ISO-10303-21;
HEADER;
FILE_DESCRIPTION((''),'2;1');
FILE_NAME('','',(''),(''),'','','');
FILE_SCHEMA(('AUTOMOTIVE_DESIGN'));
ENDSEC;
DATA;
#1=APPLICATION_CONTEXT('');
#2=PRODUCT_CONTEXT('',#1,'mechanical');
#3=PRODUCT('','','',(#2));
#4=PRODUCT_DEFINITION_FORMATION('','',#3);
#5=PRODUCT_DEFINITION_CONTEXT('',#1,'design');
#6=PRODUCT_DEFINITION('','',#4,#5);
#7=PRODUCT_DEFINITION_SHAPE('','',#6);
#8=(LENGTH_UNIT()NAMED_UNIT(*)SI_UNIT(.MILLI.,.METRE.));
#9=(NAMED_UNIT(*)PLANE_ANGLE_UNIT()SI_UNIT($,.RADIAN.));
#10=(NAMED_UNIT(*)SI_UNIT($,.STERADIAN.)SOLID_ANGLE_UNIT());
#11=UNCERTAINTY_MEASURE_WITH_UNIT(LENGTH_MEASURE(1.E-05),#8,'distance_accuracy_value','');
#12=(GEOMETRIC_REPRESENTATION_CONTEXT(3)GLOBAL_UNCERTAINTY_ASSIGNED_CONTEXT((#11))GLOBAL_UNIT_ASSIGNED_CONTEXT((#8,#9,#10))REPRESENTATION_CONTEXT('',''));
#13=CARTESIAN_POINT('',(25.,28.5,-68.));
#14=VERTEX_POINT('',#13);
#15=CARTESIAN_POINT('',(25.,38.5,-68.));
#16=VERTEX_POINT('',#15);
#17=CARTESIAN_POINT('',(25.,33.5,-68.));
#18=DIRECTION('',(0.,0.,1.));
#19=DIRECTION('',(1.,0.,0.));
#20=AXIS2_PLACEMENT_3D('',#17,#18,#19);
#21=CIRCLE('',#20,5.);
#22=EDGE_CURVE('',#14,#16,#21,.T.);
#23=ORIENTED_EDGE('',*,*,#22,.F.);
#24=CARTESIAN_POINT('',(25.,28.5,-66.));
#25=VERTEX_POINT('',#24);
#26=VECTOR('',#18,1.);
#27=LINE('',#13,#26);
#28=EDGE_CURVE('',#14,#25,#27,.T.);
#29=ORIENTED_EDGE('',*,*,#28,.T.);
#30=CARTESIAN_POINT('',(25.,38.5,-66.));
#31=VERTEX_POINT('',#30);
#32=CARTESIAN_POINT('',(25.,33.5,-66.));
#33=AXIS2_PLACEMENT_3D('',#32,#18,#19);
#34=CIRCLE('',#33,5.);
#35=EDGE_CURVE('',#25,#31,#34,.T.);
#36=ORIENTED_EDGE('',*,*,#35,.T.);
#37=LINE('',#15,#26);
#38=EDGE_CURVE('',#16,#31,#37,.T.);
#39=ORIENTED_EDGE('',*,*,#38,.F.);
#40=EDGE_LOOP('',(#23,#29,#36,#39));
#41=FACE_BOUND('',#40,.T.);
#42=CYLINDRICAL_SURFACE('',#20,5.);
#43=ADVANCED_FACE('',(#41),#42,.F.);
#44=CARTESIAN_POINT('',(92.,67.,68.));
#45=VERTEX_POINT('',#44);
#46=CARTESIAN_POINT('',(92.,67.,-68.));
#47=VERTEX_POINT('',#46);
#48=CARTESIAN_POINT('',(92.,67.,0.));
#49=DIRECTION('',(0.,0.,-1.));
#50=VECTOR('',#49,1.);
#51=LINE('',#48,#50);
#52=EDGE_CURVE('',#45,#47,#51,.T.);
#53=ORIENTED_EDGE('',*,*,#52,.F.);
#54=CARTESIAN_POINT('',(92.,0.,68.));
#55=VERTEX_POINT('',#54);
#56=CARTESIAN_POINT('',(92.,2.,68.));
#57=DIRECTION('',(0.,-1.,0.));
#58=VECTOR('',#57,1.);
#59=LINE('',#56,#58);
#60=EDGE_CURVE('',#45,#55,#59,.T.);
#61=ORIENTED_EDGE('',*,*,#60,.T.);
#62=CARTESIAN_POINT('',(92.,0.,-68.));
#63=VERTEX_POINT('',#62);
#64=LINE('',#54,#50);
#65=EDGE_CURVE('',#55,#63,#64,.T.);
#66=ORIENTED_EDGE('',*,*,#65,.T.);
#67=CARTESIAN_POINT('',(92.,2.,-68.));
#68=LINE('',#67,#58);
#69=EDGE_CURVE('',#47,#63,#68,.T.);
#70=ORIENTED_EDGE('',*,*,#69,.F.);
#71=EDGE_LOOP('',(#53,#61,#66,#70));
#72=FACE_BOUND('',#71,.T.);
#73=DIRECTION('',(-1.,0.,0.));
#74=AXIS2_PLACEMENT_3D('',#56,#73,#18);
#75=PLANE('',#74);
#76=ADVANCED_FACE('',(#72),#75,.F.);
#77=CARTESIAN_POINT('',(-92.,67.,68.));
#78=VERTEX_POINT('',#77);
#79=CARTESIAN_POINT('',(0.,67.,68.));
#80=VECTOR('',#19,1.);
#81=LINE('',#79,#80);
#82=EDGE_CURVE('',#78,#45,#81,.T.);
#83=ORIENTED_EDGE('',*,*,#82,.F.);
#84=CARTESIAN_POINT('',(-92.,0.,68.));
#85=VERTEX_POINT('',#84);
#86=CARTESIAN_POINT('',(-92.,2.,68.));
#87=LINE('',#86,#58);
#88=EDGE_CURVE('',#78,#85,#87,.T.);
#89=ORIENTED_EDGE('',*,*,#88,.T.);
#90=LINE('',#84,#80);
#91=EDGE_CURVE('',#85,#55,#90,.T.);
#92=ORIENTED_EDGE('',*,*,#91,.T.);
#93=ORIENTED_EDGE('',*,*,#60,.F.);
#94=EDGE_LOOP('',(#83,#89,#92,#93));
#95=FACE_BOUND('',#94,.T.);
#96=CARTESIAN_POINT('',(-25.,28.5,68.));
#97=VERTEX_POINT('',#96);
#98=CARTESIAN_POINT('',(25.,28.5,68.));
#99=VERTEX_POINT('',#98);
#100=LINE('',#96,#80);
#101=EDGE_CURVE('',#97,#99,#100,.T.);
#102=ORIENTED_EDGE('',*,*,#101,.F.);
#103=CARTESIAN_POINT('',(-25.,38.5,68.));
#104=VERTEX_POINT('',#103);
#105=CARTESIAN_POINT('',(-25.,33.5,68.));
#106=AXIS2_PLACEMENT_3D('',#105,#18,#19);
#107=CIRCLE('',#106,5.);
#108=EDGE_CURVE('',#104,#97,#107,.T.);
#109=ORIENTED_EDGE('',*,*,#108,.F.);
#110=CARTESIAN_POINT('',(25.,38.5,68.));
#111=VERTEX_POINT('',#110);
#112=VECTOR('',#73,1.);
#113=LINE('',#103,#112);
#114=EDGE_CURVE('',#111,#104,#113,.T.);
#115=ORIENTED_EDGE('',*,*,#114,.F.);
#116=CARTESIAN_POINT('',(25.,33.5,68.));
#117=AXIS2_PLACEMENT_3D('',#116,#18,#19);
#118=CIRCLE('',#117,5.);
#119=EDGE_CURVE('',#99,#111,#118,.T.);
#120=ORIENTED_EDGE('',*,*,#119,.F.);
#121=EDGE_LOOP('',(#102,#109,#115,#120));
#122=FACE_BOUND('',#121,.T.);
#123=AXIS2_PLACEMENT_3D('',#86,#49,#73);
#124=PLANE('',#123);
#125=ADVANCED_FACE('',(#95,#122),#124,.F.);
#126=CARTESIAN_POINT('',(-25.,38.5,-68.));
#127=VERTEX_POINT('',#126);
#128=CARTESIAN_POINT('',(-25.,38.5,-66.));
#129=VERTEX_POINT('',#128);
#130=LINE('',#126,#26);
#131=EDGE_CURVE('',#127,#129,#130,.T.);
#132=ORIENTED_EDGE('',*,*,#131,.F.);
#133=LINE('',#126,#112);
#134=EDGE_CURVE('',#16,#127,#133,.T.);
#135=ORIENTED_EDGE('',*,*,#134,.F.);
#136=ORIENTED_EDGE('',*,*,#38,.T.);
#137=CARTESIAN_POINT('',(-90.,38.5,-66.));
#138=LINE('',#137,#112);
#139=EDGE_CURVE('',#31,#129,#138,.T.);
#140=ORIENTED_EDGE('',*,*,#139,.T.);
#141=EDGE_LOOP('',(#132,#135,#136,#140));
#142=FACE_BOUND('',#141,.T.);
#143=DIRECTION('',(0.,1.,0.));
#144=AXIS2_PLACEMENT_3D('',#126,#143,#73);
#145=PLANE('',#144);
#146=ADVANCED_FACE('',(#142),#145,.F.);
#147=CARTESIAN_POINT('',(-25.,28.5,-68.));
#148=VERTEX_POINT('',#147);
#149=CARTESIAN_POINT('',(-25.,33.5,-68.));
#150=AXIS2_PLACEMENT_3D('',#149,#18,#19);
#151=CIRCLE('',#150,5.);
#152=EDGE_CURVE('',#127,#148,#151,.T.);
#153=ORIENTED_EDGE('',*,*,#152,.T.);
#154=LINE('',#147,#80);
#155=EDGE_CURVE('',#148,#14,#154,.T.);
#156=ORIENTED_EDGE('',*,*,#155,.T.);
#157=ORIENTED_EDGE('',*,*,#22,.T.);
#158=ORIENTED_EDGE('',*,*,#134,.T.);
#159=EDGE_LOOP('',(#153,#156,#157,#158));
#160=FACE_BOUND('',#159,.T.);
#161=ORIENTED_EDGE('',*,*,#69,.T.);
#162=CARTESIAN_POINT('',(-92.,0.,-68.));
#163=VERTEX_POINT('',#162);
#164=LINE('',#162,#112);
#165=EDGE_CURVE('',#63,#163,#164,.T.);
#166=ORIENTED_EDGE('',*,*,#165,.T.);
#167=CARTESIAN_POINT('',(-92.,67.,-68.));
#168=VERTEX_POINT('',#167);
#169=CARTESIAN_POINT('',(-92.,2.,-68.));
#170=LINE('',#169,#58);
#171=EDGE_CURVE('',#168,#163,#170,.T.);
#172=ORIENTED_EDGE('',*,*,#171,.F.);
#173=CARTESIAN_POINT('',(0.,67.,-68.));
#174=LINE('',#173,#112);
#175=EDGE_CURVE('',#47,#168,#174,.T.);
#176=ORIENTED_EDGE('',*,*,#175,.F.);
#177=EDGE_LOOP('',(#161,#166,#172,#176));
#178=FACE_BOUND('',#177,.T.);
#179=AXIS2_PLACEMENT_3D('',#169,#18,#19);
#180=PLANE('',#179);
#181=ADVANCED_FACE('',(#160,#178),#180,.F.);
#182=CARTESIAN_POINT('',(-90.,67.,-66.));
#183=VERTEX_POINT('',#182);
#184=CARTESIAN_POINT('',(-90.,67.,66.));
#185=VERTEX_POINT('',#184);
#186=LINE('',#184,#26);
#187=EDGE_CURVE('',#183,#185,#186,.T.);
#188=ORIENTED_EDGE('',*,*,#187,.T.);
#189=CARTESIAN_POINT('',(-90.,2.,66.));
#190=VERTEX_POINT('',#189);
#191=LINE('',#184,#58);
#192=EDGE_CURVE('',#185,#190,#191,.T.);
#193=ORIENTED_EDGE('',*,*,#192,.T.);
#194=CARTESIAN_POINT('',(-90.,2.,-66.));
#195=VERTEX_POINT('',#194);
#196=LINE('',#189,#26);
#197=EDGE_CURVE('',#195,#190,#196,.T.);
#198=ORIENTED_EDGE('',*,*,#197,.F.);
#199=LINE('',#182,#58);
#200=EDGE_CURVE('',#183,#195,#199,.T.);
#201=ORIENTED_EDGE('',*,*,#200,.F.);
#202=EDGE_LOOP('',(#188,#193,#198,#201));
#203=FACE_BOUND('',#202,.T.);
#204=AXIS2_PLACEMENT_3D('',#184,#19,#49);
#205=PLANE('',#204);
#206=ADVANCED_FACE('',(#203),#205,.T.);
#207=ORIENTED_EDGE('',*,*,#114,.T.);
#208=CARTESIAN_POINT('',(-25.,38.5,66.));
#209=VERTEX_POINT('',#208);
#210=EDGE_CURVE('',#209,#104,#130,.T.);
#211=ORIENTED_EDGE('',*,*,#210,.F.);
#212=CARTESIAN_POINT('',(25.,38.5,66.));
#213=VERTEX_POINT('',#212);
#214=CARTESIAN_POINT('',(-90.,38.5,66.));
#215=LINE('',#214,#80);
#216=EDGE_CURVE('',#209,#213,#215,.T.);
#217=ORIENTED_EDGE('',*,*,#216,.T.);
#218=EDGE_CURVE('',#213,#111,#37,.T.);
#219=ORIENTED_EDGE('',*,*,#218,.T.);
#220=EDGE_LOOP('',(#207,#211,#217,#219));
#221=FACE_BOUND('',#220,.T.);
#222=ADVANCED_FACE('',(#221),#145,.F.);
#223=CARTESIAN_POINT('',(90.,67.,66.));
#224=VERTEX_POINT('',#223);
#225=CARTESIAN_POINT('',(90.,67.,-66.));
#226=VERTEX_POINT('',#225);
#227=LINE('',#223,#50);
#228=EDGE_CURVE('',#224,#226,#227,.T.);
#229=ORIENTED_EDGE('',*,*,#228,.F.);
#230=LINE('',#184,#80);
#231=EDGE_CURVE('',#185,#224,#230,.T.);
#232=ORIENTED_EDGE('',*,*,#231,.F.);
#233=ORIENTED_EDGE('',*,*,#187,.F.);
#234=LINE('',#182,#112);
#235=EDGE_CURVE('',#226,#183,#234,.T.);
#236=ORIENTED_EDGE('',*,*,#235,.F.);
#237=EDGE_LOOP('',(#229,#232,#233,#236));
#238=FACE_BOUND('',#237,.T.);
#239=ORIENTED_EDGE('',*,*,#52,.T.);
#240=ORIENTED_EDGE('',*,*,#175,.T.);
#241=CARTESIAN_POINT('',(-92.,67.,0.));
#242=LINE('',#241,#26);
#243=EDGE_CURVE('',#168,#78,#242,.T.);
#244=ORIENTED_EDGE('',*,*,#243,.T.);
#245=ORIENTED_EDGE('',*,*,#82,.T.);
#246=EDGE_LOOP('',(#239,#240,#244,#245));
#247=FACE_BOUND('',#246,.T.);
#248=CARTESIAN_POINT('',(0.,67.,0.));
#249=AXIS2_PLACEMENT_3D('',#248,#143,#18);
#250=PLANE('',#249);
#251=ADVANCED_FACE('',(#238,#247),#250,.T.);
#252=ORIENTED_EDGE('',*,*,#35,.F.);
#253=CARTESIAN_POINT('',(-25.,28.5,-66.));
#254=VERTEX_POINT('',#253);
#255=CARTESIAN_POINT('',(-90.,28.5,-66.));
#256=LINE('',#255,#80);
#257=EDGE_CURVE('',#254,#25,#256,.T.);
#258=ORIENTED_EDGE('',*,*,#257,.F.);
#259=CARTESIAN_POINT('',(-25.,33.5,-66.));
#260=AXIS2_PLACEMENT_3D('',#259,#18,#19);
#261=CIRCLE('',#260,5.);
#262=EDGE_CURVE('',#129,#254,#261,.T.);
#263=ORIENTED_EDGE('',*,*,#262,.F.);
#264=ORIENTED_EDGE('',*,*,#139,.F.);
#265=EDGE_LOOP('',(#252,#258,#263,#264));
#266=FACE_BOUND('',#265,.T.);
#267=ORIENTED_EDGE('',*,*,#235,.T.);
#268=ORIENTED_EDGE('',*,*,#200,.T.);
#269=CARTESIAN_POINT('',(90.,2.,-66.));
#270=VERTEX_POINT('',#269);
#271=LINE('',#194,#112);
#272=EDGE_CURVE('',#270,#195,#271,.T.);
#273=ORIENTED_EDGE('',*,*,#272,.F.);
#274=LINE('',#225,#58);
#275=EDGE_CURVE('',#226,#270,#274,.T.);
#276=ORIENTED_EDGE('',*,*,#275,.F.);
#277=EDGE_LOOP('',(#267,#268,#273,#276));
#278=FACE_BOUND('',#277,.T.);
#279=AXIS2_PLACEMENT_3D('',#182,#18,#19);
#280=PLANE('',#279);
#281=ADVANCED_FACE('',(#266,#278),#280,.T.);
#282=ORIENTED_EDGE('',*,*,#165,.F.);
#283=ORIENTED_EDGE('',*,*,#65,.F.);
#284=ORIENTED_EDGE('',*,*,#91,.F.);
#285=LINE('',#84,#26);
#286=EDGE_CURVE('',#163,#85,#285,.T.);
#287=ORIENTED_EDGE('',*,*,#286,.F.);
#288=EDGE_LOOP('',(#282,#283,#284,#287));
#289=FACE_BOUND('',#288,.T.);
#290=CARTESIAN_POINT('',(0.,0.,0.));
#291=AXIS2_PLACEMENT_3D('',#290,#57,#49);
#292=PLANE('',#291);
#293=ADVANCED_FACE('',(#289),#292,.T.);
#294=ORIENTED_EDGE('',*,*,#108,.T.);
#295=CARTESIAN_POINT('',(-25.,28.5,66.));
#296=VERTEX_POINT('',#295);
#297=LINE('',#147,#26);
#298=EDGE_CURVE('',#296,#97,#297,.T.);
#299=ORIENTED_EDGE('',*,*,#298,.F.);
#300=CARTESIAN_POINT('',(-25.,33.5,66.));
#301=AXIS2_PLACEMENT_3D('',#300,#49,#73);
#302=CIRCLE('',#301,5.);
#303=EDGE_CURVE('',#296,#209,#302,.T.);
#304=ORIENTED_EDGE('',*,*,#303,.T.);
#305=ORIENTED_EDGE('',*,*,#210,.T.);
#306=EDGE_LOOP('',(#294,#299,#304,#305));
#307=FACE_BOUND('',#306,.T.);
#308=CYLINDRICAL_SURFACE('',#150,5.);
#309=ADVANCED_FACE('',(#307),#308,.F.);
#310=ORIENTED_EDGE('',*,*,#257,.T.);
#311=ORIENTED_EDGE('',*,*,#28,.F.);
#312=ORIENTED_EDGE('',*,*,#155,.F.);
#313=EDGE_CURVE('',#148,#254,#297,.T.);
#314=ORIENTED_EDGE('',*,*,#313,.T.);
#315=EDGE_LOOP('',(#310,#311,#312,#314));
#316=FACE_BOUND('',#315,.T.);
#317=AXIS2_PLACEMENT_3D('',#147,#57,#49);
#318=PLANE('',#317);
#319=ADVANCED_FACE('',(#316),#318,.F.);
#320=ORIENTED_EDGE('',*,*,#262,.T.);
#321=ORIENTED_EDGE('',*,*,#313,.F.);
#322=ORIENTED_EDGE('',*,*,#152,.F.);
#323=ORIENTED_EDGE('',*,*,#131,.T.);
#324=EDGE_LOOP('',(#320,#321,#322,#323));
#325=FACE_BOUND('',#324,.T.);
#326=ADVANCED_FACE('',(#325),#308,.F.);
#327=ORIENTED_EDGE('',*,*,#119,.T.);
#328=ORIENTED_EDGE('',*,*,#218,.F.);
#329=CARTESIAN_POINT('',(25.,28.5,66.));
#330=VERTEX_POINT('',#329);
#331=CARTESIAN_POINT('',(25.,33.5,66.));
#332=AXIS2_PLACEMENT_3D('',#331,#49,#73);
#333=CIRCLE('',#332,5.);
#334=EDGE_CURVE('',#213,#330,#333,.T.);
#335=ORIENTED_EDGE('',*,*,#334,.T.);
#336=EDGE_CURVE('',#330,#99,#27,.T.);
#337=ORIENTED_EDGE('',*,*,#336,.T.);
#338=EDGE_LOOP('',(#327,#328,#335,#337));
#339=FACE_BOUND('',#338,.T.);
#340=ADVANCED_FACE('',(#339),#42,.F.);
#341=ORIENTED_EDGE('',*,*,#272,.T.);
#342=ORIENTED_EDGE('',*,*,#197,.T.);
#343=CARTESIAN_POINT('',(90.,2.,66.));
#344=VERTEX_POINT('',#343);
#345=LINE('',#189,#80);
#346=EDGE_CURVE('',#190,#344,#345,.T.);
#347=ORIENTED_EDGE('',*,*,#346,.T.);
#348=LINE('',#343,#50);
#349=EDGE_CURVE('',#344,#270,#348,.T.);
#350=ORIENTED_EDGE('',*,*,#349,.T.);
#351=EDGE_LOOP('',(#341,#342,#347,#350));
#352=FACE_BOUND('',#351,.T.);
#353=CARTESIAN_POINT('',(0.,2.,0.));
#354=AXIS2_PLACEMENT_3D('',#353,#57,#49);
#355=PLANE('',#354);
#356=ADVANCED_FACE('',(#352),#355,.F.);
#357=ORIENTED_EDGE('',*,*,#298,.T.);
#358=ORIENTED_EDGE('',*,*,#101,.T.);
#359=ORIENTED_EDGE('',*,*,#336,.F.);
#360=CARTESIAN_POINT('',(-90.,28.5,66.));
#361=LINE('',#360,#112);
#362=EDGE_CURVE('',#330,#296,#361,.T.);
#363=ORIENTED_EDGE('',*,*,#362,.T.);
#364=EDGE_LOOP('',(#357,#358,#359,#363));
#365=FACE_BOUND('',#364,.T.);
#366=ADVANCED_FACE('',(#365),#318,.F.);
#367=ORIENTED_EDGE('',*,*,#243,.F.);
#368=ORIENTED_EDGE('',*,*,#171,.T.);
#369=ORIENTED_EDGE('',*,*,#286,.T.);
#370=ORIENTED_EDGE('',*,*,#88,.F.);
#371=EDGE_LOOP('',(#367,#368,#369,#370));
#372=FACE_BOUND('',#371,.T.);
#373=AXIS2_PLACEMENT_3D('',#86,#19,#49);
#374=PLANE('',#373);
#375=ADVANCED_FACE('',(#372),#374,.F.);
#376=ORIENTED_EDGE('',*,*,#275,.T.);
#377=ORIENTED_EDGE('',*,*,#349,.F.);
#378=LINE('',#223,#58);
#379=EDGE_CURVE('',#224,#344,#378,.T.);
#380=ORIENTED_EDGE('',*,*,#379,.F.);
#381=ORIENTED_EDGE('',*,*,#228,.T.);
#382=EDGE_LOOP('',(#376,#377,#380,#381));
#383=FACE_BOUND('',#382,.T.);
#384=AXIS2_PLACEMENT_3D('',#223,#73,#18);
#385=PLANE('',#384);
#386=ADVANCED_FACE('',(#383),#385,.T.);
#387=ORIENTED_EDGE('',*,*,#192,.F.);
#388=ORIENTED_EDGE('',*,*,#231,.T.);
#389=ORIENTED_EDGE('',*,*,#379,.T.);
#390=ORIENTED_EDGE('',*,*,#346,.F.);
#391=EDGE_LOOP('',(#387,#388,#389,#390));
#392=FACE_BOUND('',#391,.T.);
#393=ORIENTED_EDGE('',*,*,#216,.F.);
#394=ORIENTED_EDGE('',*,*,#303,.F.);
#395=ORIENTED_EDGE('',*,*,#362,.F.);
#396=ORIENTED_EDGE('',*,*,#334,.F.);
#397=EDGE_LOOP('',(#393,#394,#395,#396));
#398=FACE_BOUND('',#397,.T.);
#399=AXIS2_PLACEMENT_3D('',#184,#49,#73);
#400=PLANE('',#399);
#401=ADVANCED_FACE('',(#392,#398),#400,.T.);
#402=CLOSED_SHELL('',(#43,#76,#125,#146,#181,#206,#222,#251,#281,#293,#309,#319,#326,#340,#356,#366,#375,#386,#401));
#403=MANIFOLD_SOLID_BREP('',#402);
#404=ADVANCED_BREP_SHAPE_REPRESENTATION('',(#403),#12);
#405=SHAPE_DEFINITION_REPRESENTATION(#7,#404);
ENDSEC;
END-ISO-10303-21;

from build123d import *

# Parameters (mm, degrees)
ESBO_O1_W                = 184
ESBO_O1_H                = 136
RESSALTO_EXTRUS_O1_DEPTH = 2
ESBO_O2_W                = 184
ESBO_O2_H                = 136
ESBO_O2_W_2              = 180
ESBO_O2_H_2              = 132
EXTRUS_O_FINA1_DEPTH     = 65
CORTE_EXTRUS_O1_DEPTH    = 178.338659068


with BuildPart() as part:
    # Esboço1 → Ressalto-extrusão1 (new body)
    with BuildSketch(Plane(origin=(0, 0, 0), x_dir=(1, 0, 0), z_dir=(0, 1, 0))):
        Rectangle(ESBO_O1_W, ESBO_O1_H)
    extrude(amount=RESSALTO_EXTRUS_O1_DEPTH)

    # Esboço2 → Extrusão-Fina1 (add)
    with BuildSketch(Plane(origin=(0, 2, 0), x_dir=(1, 0, 0), z_dir=(0, 1, 0))):
        Rectangle(ESBO_O2_W, ESBO_O2_H)
        Rectangle(ESBO_O2_W_2, ESBO_O2_H_2, mode=Mode.SUBTRACT)
    extrude(amount=EXTRUS_O_FINA1_DEPTH)

    # Esboço3 → Corte-extrusão1 (cut, through all)
    with BuildSketch(Plane.XY.offset(68)):
        with BuildLine():
            Line((-25, 38.5), (25, 38.5))
            ThreePointArc((25, 38.5), (30, 33.5), (25, 28.5))
            Line((25, 28.5), (-25, 28.5))
            ThreePointArc((-25, 28.5), (-30, 33.5), (-25, 38.5))
        make_face()
    extrude(amount=-CORTE_EXTRUS_O1_DEPTH, mode=Mode.SUBTRACT)


solid = part.part
